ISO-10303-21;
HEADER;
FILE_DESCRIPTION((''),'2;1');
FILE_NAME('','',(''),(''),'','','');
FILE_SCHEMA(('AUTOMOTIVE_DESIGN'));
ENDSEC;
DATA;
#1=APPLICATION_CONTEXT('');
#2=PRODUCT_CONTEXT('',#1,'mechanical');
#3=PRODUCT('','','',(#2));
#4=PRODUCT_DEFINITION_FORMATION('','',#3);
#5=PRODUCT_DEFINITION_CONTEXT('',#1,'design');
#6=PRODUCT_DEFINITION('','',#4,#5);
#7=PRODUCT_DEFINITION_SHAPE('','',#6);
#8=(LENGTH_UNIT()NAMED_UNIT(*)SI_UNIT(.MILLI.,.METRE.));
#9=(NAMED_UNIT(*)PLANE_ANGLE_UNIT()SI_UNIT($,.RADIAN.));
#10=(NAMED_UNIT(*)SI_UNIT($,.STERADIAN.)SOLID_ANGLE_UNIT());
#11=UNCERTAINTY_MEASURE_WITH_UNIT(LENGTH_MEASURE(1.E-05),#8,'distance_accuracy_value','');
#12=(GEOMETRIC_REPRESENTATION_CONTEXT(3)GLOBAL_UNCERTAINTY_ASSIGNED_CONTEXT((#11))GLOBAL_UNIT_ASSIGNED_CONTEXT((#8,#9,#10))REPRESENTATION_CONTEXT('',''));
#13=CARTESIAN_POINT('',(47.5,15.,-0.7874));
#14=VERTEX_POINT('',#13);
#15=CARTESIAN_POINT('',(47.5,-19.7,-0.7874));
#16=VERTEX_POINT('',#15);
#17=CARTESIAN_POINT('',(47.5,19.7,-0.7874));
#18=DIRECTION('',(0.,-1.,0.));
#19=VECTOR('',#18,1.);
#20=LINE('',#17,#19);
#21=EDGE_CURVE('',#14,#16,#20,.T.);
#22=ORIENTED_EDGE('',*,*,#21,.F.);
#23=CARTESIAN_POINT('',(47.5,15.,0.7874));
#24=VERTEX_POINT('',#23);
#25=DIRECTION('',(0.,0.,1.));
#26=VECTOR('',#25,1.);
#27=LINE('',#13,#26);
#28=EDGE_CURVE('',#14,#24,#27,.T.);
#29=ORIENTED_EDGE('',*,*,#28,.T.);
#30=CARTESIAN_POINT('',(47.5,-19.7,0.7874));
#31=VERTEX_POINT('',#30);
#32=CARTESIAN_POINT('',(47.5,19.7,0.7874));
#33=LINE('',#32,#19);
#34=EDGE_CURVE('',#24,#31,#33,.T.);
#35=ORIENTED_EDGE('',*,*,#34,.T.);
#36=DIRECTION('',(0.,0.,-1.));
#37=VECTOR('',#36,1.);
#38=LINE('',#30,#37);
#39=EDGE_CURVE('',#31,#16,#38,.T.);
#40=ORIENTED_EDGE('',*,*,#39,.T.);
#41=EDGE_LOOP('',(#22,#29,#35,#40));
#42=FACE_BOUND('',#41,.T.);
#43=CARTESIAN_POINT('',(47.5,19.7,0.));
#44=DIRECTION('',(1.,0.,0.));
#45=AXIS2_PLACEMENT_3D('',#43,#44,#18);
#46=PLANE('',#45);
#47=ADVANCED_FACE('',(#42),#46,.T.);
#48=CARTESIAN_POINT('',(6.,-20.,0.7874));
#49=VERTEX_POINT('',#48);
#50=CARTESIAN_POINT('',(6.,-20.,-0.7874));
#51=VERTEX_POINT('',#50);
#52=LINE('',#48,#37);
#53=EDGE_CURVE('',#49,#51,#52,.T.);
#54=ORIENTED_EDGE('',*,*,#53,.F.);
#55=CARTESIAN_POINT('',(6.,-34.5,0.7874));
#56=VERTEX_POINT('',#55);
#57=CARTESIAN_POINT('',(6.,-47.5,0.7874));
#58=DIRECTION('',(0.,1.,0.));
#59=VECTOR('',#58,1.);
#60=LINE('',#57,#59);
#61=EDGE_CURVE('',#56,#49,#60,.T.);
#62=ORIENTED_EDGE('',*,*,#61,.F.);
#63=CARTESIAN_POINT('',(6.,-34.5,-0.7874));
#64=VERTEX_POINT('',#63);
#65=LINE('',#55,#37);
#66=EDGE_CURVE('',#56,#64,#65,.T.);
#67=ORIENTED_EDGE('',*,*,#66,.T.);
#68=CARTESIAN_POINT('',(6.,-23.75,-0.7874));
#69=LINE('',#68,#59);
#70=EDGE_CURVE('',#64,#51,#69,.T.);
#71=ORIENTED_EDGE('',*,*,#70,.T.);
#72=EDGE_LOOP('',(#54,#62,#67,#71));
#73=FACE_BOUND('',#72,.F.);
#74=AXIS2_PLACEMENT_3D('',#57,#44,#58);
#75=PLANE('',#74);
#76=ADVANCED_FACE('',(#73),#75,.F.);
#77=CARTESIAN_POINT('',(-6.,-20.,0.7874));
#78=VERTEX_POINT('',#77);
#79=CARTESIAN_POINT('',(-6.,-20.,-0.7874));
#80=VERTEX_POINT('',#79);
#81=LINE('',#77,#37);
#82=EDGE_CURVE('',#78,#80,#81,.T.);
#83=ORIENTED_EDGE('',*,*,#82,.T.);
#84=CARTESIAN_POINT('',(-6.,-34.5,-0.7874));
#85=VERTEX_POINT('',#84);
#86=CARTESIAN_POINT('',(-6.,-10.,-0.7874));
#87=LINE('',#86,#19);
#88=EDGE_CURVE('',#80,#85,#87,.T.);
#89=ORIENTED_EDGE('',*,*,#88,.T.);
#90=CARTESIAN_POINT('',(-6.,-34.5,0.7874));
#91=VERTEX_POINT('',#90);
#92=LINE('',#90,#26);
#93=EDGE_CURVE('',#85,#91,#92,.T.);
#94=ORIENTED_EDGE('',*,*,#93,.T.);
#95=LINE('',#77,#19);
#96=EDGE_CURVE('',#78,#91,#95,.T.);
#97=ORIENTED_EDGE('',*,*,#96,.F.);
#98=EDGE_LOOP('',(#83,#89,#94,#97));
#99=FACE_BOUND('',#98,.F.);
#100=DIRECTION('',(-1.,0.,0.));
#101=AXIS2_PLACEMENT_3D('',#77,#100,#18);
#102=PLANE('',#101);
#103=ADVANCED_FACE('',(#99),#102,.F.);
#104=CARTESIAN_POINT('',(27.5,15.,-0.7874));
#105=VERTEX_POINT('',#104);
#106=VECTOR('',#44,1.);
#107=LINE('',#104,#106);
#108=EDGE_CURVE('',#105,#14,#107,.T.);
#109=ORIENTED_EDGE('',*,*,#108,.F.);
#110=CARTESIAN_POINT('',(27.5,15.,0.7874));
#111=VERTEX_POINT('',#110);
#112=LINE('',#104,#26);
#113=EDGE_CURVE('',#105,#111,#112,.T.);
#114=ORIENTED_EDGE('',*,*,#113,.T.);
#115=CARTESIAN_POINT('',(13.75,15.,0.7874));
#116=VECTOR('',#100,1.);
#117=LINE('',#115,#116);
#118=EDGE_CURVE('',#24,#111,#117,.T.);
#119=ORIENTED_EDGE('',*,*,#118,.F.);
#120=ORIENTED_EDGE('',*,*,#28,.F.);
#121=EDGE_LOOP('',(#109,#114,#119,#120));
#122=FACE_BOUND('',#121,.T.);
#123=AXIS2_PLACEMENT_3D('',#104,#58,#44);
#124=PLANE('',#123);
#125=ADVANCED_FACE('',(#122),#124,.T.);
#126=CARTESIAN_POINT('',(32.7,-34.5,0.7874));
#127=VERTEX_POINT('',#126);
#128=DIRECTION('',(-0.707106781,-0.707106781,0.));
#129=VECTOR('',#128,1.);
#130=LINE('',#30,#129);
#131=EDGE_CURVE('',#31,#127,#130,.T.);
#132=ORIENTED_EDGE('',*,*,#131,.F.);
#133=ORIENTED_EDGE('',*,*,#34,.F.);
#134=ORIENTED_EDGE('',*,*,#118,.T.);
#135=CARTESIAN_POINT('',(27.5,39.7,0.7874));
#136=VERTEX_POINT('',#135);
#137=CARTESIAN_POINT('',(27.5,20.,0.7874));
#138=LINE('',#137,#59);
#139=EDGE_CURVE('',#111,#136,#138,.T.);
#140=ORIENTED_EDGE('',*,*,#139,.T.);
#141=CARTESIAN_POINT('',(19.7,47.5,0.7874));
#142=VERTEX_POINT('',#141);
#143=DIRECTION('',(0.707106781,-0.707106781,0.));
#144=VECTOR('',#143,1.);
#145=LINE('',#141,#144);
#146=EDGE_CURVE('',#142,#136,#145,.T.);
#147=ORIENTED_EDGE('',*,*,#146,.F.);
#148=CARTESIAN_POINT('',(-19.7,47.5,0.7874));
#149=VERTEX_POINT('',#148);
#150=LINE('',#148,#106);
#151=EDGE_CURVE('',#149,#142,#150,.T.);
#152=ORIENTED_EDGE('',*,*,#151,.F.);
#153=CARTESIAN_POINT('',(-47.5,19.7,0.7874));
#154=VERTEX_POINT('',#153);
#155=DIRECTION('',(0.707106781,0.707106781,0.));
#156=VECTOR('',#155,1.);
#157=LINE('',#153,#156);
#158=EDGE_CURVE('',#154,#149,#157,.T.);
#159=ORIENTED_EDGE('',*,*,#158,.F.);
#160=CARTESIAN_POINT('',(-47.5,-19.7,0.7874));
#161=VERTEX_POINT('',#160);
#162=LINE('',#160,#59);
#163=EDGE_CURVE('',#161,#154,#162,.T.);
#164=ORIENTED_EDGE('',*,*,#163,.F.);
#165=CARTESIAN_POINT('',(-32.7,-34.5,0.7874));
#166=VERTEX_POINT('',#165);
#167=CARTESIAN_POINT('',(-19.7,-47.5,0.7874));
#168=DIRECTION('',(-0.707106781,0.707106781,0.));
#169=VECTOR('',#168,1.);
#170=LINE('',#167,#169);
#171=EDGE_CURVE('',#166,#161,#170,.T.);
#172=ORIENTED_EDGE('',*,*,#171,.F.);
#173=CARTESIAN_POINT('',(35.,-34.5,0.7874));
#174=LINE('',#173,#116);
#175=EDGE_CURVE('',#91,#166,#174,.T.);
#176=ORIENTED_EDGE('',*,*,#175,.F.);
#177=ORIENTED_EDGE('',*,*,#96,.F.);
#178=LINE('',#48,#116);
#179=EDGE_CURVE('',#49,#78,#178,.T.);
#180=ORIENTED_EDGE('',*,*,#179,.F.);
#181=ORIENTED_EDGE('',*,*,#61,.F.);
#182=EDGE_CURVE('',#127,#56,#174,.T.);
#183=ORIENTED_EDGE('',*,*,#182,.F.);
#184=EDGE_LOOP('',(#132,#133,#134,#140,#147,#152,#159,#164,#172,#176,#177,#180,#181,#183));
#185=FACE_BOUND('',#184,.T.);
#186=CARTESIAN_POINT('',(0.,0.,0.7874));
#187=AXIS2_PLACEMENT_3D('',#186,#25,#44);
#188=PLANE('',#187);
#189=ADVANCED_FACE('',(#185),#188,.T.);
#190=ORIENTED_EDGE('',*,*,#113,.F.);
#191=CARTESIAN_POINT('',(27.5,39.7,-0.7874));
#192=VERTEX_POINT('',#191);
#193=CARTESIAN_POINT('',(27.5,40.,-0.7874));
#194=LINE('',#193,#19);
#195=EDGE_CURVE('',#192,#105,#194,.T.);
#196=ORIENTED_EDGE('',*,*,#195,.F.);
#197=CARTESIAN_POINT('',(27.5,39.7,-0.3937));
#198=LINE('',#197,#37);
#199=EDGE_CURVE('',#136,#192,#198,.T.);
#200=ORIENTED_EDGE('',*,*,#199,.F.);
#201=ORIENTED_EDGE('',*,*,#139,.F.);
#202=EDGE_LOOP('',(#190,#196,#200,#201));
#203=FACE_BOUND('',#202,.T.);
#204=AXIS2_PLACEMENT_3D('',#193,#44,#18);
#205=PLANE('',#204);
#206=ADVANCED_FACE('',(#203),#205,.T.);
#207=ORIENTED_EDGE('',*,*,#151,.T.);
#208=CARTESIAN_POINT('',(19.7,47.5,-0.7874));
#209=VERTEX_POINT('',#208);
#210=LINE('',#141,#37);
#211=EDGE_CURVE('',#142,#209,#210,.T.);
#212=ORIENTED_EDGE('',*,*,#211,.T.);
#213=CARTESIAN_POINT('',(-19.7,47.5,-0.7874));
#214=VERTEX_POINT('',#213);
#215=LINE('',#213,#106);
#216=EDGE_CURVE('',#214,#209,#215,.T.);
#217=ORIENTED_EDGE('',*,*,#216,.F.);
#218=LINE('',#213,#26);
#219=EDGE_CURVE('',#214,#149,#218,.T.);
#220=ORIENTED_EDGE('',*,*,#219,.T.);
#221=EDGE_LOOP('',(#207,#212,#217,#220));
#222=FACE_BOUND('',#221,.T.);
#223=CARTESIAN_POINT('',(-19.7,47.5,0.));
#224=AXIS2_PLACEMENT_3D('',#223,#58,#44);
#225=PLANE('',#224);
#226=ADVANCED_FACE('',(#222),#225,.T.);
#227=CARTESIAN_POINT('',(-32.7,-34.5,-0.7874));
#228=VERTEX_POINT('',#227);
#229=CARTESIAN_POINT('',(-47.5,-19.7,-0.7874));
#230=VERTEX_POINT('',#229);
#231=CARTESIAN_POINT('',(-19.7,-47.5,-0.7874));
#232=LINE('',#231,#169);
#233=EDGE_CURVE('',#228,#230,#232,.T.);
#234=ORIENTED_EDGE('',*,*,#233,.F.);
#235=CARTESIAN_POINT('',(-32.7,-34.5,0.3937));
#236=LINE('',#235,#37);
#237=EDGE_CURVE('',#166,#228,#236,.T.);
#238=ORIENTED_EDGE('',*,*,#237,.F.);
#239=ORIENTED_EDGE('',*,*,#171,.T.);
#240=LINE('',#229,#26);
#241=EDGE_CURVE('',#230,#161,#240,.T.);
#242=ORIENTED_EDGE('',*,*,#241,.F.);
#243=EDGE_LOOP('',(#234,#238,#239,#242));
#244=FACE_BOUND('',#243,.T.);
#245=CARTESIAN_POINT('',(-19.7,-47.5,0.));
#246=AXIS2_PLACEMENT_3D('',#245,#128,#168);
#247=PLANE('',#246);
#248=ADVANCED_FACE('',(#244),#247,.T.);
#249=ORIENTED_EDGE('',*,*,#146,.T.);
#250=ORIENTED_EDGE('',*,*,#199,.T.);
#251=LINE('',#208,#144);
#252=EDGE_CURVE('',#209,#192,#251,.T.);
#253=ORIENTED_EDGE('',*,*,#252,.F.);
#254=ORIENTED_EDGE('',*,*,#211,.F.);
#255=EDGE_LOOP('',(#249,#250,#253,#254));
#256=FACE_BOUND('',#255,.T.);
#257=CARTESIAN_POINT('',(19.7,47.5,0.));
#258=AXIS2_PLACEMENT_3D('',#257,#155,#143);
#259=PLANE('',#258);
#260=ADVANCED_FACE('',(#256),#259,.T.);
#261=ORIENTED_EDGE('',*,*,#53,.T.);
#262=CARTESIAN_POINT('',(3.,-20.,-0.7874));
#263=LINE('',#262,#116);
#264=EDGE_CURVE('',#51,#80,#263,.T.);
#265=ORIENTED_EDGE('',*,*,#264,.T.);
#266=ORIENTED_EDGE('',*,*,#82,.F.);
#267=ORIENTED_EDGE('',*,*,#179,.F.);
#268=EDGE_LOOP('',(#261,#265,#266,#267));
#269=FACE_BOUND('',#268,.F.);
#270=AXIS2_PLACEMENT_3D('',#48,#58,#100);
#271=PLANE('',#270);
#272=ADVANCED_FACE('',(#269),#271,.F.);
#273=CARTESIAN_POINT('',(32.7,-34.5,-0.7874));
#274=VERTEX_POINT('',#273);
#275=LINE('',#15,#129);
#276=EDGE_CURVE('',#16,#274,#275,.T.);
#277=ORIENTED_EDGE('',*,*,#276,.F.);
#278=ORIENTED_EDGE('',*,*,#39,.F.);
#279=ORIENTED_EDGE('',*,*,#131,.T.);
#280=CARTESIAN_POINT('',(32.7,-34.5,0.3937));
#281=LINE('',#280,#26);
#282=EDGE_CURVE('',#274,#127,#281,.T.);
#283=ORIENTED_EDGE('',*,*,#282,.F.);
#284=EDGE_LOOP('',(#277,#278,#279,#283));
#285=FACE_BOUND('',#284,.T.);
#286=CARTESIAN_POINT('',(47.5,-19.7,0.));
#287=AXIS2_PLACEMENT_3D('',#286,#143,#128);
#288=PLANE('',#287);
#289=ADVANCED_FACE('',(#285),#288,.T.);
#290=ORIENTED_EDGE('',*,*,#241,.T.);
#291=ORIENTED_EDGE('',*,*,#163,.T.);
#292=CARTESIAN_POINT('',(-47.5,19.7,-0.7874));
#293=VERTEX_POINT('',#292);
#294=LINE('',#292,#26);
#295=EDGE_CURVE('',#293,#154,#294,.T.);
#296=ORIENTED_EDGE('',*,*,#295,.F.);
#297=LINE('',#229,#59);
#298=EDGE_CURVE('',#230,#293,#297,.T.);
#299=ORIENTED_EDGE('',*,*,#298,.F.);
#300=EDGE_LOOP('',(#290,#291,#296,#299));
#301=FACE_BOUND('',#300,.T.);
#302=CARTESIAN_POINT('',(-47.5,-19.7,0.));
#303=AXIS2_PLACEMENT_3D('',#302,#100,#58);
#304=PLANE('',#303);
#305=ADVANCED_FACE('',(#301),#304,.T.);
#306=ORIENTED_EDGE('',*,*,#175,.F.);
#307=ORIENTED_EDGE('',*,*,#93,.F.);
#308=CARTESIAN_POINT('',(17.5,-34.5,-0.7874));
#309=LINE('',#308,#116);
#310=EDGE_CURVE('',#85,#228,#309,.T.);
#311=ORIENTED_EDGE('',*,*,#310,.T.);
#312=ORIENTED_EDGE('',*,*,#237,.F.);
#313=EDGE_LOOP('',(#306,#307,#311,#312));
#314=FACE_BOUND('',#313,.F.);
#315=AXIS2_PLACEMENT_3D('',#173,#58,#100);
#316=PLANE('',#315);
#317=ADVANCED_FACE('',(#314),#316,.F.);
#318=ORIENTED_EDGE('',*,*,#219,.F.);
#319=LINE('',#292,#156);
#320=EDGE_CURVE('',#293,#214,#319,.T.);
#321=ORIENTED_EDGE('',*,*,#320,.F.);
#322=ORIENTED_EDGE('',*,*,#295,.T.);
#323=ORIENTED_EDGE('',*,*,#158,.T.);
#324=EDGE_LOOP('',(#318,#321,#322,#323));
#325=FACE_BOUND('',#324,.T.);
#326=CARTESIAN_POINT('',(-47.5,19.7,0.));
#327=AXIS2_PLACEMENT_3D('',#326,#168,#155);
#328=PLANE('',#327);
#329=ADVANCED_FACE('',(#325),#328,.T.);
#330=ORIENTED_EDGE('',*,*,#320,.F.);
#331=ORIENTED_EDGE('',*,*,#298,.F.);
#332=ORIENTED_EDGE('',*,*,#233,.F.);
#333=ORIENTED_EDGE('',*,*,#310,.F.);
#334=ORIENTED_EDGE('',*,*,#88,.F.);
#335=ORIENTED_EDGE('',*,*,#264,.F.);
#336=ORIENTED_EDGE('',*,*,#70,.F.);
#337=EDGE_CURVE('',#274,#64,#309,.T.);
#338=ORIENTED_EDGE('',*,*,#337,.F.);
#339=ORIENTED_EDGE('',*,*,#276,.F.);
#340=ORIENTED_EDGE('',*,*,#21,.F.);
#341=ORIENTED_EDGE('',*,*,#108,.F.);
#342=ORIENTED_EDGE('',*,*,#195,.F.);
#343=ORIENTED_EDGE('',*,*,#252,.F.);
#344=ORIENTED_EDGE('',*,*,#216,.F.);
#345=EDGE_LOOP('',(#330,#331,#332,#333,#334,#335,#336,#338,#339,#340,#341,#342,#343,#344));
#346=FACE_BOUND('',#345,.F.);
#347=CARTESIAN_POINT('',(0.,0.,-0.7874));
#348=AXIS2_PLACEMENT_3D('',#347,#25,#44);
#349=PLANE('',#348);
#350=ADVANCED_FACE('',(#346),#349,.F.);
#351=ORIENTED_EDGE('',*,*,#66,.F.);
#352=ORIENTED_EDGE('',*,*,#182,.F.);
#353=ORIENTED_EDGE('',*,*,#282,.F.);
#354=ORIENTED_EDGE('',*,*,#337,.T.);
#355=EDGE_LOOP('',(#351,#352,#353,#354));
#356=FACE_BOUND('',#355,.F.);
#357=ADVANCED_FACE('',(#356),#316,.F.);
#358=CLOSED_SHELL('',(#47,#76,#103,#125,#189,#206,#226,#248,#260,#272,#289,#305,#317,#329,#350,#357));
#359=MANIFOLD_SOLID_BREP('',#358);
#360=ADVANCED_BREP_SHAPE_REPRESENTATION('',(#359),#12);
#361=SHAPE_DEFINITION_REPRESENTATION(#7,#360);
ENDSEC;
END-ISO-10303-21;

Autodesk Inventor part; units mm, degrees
ref_plane "YZ Plane" through (0, 0, 0) normal (1, 0, 0) x (0, 1, 0)
ref_plane "XZ Plane" through (0, 0, 0) normal (0, 1, 0) x (-1, 0, 0)
ref_plane "XY Plane" through (0, 0, 0) normal (0, 0, 1) x (1, 0, 0)
sketch "Sketch1" plane through (0, 0, 0) normal (0, 0, 1) x (1, 0, 0)
  line L0 (0, 0) -> (0, 24.8008)
  line L1 (0, 0) -> (23.5103, 0)
  line L2 (-19.7, 47.5) -> (19.7, 47.5)
  line L3 (47.5, 19.7) -> (47.5, -19.7)
  line L4 (19.7, -47.5) -> (-19.7, -47.5)
  line L5 (-47.5, -19.7) -> (-47.5, 19.7)
  line L6 (19.7, 47.5) -> (47.5, 19.7)
  line L7 (47.5, -19.7) -> (19.7, -47.5)
  line L8 (-19.7, -47.5) -> (-47.5, -19.7)
  line L9 (-47.5, 19.7) -> (-19.7, 47.5)
  point P0 (-47.5, 47.5)
  point P1 (47.5, -47.5)
  point P2 (47.5, 47.5)
  point P3 (-47.5, -47.5)
  dimension "d9" = 27.8
  dimension "d10" = 27.8
  dimension "d11" = 27.8
  dimension "d12" = 27.8
  dimension "d13" = 27.8
  dimension "d14" = 27.8
  dimension "d15" = 27.8
  dimension "d16" = 27.8
  dimension "d17" = 95
  dimension "d18" = 95
extrude "Extrusion1" add sketch "Sketch1" along normal mid plane 1.5748
sketch "Sketch4" plane through (0, 0, 0.7874) normal (0, 0, 1) x (1, 0, 0)
  line L0 (19.7, -47.5) -> (-19.7, -47.5) projected
  line L1 (-35, -47.5) -> (35, -47.5)
  line L2 (35, -47.5) -> (35, -34.5)
  line L3 (35, -34.5) -> (-35, -34.5)
  line L4 (-35, -34.5) -> (-35, -47.5)
  point P0 (12, -47.5)
  point P1 (0, 0)
  point P2 (0, -34.5)
  dimension "d24" = 13
  dimension "d25" = 70
extrude "Extrusion4" cut sketch "Sketch4" against normal through all
sketch "Sketch5" plane through (0, 0, 0.7874) normal (0, 0, 1) x (1, 0, 0)
  line L0 (-6, -47.5) -> (6, -47.5)
  line L1 (6, -47.5) -> (6, -20)
  line L2 (6, -20) -> (-6, -20)
  line L3 (-6, -20) -> (-6, -47.5)
  line L4 (0, 0) -> (0, -10.8647)
  dimension "d29" = 12
  dimension "d30" = 27.5
  dimension "d45" = 20
extrude "Extrusion5" cut sketch "Sketch5" against normal through all
sketch "Sketch7" plane through (0, 0, -0.7874) normal (0, 0, -1) x (-1, 0, 0)
  line L0 (-47.5, -19.7) -> (-47.5, 19.7) projected
  line L1 (-47.5, 40) -> (-27.5, 40)
  line L2 (-27.5, 40) -> (-27.5, 15)
  line L3 (-27.5, 15) -> (-47.5, 15)
  line L4 (-47.5, 15) -> (-47.5, 40)
  point P0 (0, 0)
  point P1 (-27.5, 27.5)
  point P2 (-27.5, 27.5)
  dimension "d37" = 25
  dimension "d38" = 20
  dimension "d46" = 15
extrude "Extrusion7" cut sketch "Sketch7" against normal through all
equation "\"d10\" = d9"
equation "\"d11\" = d9"
equation "\"d12\" = d11"
equation "\"d13\" = d9"
equation "\"d14\" = d13"
equation "\"d15\" = d9"
equation "\"d16\" = d15"
properties part number "Pb_TX_bot" material "Lead"
